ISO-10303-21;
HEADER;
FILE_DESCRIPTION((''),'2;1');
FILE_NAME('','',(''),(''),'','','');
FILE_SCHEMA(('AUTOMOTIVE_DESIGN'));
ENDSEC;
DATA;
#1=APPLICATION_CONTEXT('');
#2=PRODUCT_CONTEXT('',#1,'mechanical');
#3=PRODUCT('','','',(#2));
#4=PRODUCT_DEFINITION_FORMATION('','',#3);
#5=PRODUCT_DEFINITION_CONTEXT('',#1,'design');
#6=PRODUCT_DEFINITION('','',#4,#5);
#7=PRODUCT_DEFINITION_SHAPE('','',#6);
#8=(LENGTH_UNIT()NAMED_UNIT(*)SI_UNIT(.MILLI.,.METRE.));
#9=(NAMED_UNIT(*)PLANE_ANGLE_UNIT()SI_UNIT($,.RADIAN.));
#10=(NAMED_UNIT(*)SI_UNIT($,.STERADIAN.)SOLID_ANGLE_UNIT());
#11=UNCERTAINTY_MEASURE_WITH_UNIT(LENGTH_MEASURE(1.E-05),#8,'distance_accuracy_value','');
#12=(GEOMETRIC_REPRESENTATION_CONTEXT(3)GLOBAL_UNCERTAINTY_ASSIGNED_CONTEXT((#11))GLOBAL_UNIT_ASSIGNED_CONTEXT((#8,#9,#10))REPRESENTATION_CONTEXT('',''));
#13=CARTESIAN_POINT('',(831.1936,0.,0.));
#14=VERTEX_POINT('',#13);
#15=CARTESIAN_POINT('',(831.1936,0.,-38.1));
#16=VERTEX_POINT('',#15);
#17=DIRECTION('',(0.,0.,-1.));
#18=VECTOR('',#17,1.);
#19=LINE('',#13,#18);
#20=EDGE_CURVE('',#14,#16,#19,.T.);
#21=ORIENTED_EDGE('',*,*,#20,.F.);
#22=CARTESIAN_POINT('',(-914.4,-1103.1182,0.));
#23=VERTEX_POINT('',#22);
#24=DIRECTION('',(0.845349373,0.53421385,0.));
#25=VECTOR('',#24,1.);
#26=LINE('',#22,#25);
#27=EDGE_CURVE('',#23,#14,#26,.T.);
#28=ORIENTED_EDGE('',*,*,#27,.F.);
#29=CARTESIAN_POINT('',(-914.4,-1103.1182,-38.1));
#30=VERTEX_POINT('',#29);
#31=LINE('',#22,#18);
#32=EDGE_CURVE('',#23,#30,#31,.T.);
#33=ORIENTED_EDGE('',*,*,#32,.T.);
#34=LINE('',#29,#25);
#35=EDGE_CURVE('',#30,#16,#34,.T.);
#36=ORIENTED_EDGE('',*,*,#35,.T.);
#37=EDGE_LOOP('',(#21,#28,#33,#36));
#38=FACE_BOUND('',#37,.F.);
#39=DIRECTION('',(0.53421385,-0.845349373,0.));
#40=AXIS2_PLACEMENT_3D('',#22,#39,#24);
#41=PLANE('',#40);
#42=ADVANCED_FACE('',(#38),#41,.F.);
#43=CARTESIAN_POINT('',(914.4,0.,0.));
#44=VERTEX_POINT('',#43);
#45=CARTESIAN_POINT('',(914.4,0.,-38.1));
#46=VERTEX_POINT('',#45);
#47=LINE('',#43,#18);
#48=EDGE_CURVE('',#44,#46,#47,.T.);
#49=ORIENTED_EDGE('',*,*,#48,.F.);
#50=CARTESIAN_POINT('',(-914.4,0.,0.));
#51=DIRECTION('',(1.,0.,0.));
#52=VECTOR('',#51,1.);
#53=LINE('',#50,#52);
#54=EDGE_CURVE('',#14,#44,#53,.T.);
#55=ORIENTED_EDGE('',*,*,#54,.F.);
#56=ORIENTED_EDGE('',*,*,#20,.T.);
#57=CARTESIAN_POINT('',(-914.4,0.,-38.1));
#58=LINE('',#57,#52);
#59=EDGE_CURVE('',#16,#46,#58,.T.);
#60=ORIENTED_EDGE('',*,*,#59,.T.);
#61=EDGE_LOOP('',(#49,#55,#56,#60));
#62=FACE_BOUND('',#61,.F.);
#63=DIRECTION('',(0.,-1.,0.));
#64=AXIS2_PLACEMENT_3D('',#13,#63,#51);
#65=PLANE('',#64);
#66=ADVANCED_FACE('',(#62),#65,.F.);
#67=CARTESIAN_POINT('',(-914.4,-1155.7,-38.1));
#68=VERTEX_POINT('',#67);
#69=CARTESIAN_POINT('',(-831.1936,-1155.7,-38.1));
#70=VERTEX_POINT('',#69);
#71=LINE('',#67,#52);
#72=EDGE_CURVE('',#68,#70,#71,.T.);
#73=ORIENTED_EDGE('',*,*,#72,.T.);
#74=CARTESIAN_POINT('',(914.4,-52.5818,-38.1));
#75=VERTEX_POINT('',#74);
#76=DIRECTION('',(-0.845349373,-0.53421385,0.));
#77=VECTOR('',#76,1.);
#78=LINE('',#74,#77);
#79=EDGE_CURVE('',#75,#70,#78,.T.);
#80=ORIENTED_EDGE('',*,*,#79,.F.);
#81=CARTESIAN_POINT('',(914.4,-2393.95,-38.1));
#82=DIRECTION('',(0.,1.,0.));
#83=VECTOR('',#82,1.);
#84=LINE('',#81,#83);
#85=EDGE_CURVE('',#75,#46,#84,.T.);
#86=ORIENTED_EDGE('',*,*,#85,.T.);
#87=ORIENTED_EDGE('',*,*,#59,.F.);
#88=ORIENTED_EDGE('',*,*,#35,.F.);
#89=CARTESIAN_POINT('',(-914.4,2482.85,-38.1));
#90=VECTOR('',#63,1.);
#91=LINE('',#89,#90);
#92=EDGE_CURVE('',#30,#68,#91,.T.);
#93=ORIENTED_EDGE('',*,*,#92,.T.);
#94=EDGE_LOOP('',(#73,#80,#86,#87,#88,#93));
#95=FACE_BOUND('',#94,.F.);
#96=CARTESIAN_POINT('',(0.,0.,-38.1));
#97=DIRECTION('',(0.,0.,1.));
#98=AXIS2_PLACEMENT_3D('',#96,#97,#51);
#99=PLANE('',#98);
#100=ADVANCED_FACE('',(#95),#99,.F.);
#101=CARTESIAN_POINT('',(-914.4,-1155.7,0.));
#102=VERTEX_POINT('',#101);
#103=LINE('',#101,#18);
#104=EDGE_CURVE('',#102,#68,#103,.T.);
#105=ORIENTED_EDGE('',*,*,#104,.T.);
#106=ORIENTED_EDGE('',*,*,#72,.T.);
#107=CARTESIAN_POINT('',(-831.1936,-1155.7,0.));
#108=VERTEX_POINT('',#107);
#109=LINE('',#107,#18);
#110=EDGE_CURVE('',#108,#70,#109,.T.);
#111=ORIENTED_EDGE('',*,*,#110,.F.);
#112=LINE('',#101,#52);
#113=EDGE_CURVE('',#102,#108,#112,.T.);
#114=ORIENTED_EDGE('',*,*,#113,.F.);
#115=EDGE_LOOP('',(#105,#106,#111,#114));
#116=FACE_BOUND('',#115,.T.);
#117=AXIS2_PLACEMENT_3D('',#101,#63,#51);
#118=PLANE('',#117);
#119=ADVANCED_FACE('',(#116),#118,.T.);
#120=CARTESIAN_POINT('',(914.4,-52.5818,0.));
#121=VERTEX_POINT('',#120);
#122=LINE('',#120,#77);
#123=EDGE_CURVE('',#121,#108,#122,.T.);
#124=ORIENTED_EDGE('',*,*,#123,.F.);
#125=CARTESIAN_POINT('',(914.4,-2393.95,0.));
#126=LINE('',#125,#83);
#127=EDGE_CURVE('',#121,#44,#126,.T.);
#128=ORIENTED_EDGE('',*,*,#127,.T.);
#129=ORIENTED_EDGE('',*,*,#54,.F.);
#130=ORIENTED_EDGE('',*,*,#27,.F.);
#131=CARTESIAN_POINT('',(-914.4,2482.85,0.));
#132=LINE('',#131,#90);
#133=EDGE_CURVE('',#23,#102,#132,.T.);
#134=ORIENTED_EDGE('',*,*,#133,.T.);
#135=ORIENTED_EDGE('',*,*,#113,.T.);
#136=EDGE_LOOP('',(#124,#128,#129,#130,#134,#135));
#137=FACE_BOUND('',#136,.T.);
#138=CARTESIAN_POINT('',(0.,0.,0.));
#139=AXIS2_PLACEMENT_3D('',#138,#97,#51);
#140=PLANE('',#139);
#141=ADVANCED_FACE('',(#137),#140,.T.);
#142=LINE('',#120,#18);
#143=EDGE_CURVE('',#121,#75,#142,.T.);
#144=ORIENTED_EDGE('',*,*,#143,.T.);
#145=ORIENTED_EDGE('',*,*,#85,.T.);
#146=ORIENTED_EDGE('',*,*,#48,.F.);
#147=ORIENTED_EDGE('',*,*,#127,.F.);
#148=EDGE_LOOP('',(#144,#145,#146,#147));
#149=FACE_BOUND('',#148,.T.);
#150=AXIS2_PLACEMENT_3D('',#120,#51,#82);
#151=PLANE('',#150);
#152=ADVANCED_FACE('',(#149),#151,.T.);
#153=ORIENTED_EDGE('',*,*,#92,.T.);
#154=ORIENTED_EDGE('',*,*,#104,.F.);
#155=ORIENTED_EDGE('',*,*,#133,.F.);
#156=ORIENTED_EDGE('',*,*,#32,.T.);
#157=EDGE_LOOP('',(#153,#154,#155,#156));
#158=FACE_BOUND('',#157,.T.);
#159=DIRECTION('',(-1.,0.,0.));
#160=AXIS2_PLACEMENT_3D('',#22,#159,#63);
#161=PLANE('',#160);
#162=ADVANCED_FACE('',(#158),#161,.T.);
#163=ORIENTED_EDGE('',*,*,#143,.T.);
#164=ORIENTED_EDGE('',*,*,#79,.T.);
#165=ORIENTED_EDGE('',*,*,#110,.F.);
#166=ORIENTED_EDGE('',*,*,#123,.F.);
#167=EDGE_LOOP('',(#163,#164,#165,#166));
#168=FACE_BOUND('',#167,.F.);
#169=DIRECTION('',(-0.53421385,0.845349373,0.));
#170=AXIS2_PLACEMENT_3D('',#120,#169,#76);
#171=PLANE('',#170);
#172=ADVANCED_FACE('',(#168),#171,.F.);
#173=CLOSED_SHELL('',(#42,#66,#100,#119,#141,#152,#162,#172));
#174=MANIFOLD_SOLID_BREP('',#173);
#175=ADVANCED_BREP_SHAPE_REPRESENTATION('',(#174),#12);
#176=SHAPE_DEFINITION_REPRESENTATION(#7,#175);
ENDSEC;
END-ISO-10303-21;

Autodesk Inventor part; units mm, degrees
ref_plane "YZ Plane" through (0, 0, 0) normal (1, 0, 0) x (0, 1, 0)
ref_plane "XZ Plane" through (0, 0, 0) normal (0, 1, 0) x (-1, 0, 0)
ref_plane "XY Plane" through (0, 0, 0) normal (0, 0, 1) x (1, 0, 0)
sketch "Sketch1" plane through (0, 0, 0) normal (0, 0, 1) x (1, 0, 0)
  line L0 (-914.4, 0) -> (914.4, 0) projected
  line L1 (-914.4, 2482.85) -> (-914.4, -2393.95) projected
  line L2 (914.4, -2393.95) -> (914.4, 2482.85) projected
  line L3 (-914.4, -1155.7) -> (914.4, -1155.7) projected
  line L4 (914.4, -52.5818) -> (-831.1936, -1155.7)
  line L5 (-914.4, -1103.1182) -> (831.1936, 0)
  line L6 (914.4, -52.5818) -> (914.4, 0)
  line L7 (914.4, 0) -> (831.1936, 0)
  line L8 (-914.4, -1103.1182) -> (-914.4, -1155.7)
  line L9 (-831.1936, -1155.7) -> (-914.4, -1155.7)
  point P0 (0, 0)
extrude "Extrusion1" add sketch "Sketch1" against normal blind 38.1 contours L0 L2 L4 L3 L1 L5
properties part number "side2"
